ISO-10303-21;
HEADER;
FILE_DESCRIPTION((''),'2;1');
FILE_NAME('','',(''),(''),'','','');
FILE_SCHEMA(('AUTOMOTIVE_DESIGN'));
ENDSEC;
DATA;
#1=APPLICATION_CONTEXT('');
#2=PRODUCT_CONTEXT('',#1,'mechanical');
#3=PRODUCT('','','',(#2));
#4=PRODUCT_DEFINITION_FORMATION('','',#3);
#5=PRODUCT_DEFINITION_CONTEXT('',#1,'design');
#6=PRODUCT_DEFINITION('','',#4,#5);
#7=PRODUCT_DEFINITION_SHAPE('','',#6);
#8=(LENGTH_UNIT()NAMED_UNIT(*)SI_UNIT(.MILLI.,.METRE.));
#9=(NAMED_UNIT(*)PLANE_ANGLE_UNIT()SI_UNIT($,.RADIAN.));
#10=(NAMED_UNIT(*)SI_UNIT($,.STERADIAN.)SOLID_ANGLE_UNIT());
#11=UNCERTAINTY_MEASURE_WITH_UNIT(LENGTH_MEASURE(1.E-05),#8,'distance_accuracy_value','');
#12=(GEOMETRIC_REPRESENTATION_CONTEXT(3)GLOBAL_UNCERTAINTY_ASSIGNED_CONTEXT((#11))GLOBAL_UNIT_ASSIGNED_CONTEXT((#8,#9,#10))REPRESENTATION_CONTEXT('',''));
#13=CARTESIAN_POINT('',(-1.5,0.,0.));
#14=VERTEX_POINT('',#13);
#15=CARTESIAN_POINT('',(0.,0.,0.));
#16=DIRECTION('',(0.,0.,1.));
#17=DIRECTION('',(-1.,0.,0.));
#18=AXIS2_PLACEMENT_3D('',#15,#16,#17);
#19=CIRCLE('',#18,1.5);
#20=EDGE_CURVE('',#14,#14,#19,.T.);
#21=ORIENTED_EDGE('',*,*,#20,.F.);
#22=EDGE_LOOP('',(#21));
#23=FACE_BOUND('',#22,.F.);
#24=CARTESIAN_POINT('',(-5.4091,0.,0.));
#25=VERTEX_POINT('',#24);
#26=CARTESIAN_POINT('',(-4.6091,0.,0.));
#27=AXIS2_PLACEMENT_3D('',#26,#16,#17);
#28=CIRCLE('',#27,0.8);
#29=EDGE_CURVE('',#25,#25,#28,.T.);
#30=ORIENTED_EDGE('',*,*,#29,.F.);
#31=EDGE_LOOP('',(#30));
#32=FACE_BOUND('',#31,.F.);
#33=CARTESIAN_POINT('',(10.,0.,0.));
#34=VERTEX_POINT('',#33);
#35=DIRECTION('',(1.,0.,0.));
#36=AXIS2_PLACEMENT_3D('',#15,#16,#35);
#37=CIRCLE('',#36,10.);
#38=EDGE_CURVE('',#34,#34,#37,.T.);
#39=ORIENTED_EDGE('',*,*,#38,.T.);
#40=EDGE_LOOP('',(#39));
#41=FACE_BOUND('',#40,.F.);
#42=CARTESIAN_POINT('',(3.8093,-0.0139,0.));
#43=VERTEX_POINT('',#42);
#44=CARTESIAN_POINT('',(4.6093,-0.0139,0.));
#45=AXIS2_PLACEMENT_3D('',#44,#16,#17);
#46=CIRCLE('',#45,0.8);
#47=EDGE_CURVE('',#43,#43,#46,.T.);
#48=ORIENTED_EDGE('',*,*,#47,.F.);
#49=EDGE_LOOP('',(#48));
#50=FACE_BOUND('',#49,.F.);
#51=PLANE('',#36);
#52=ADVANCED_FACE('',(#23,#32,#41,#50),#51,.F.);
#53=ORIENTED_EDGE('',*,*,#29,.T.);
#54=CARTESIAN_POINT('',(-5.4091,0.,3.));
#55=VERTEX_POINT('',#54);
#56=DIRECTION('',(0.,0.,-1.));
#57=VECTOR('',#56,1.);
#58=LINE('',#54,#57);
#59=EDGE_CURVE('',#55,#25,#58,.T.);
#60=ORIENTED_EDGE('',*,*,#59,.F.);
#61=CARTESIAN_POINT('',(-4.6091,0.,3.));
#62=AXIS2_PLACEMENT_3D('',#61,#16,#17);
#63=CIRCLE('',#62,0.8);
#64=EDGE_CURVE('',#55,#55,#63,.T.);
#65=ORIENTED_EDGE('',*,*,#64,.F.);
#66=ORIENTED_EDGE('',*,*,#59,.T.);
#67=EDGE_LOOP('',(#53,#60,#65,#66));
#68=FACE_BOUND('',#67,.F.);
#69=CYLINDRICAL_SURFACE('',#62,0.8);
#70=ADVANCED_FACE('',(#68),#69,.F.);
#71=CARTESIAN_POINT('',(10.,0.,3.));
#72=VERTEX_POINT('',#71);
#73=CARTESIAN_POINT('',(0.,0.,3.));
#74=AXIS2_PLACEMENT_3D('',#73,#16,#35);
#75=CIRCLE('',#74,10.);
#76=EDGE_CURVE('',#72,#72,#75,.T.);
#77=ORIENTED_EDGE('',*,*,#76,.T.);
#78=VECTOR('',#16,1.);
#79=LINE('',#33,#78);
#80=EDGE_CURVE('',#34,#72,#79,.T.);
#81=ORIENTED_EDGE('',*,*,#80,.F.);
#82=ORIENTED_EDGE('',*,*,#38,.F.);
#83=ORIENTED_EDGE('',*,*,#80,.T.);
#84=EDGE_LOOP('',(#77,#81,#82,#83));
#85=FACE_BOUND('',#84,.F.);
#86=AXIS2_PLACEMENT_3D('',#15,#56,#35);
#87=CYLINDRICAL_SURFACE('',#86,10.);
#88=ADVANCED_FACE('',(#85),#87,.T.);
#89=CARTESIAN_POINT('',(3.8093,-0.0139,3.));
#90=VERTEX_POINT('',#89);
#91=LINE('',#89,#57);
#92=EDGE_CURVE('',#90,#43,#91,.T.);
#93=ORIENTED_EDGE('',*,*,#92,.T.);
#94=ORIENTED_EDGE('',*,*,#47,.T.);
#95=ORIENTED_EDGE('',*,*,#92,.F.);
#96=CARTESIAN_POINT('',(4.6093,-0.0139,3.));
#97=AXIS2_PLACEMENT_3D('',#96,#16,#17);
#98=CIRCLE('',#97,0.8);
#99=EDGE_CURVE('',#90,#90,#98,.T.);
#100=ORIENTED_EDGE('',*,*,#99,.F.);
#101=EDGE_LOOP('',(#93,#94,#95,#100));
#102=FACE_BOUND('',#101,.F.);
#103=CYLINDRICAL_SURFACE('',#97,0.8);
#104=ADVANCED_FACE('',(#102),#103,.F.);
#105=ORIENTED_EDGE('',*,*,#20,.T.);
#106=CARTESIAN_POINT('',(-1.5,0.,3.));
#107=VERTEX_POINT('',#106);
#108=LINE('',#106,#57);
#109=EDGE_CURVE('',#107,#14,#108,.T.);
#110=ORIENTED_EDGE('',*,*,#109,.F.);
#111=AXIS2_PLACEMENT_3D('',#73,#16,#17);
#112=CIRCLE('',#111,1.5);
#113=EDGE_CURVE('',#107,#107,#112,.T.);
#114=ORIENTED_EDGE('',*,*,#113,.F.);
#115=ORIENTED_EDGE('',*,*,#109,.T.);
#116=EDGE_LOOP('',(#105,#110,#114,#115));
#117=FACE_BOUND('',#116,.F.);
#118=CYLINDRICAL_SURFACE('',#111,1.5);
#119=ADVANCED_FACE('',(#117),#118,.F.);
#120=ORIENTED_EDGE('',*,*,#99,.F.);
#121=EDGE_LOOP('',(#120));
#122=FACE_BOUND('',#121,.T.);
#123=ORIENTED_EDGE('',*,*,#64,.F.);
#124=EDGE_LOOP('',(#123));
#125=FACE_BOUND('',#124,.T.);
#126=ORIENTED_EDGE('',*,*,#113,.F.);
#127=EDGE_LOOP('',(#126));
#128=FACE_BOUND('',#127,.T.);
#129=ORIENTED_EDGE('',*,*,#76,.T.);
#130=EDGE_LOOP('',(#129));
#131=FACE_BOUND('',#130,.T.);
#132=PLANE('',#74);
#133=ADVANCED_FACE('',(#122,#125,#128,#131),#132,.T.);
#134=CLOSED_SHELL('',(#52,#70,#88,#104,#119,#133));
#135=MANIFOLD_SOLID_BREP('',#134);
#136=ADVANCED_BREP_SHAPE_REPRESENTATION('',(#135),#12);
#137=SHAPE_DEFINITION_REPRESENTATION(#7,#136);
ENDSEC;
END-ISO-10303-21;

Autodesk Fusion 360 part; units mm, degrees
sketch "Sketch1" plane through (0, 0, 0) normal (0, 0, 1) x (1, 0, 0)
  circle A0 centre (0, 0) radius 10
  dimension "d1" = 20
extrude "Extrude1" add sketch "Sketch1" along normal blind 3
sketch "Sketch2" plane through (0, 0, 3) normal (0, 0, 1) x (-1, 0, 0)
  circle A0 centre (0, 0) radius 10
  circle A1 centre (0, 0) radius 1.5
  dimension "d4" = 3
extrude "Extrude2" cut sketch "Sketch2" against normal blind 12 contours A1
sketch "Sketch3" plane through (0, 0, 3) normal (0, 0, 1) x (-1, 0, 0)
  circle A0 centre (0, 0) radius 1.5
  circle A1 centre (0, 0) radius 10
  circle A2 centre (-4.6093, 0.0139) radius 0.8
  dimension "d7" = 1.6
sketch "Sketch4" plane through (0, 0, 3) normal (0, 0, 1) x (-1, 0, 0)
  circle A0 centre (4.6091, 0) radius 0.8
  dimension "d8" = 1.6
extrude "Extrude3" cut sketch "Sketch3" sketch "Sketch4" against normal blind 3 contours A2 of sketch 2
